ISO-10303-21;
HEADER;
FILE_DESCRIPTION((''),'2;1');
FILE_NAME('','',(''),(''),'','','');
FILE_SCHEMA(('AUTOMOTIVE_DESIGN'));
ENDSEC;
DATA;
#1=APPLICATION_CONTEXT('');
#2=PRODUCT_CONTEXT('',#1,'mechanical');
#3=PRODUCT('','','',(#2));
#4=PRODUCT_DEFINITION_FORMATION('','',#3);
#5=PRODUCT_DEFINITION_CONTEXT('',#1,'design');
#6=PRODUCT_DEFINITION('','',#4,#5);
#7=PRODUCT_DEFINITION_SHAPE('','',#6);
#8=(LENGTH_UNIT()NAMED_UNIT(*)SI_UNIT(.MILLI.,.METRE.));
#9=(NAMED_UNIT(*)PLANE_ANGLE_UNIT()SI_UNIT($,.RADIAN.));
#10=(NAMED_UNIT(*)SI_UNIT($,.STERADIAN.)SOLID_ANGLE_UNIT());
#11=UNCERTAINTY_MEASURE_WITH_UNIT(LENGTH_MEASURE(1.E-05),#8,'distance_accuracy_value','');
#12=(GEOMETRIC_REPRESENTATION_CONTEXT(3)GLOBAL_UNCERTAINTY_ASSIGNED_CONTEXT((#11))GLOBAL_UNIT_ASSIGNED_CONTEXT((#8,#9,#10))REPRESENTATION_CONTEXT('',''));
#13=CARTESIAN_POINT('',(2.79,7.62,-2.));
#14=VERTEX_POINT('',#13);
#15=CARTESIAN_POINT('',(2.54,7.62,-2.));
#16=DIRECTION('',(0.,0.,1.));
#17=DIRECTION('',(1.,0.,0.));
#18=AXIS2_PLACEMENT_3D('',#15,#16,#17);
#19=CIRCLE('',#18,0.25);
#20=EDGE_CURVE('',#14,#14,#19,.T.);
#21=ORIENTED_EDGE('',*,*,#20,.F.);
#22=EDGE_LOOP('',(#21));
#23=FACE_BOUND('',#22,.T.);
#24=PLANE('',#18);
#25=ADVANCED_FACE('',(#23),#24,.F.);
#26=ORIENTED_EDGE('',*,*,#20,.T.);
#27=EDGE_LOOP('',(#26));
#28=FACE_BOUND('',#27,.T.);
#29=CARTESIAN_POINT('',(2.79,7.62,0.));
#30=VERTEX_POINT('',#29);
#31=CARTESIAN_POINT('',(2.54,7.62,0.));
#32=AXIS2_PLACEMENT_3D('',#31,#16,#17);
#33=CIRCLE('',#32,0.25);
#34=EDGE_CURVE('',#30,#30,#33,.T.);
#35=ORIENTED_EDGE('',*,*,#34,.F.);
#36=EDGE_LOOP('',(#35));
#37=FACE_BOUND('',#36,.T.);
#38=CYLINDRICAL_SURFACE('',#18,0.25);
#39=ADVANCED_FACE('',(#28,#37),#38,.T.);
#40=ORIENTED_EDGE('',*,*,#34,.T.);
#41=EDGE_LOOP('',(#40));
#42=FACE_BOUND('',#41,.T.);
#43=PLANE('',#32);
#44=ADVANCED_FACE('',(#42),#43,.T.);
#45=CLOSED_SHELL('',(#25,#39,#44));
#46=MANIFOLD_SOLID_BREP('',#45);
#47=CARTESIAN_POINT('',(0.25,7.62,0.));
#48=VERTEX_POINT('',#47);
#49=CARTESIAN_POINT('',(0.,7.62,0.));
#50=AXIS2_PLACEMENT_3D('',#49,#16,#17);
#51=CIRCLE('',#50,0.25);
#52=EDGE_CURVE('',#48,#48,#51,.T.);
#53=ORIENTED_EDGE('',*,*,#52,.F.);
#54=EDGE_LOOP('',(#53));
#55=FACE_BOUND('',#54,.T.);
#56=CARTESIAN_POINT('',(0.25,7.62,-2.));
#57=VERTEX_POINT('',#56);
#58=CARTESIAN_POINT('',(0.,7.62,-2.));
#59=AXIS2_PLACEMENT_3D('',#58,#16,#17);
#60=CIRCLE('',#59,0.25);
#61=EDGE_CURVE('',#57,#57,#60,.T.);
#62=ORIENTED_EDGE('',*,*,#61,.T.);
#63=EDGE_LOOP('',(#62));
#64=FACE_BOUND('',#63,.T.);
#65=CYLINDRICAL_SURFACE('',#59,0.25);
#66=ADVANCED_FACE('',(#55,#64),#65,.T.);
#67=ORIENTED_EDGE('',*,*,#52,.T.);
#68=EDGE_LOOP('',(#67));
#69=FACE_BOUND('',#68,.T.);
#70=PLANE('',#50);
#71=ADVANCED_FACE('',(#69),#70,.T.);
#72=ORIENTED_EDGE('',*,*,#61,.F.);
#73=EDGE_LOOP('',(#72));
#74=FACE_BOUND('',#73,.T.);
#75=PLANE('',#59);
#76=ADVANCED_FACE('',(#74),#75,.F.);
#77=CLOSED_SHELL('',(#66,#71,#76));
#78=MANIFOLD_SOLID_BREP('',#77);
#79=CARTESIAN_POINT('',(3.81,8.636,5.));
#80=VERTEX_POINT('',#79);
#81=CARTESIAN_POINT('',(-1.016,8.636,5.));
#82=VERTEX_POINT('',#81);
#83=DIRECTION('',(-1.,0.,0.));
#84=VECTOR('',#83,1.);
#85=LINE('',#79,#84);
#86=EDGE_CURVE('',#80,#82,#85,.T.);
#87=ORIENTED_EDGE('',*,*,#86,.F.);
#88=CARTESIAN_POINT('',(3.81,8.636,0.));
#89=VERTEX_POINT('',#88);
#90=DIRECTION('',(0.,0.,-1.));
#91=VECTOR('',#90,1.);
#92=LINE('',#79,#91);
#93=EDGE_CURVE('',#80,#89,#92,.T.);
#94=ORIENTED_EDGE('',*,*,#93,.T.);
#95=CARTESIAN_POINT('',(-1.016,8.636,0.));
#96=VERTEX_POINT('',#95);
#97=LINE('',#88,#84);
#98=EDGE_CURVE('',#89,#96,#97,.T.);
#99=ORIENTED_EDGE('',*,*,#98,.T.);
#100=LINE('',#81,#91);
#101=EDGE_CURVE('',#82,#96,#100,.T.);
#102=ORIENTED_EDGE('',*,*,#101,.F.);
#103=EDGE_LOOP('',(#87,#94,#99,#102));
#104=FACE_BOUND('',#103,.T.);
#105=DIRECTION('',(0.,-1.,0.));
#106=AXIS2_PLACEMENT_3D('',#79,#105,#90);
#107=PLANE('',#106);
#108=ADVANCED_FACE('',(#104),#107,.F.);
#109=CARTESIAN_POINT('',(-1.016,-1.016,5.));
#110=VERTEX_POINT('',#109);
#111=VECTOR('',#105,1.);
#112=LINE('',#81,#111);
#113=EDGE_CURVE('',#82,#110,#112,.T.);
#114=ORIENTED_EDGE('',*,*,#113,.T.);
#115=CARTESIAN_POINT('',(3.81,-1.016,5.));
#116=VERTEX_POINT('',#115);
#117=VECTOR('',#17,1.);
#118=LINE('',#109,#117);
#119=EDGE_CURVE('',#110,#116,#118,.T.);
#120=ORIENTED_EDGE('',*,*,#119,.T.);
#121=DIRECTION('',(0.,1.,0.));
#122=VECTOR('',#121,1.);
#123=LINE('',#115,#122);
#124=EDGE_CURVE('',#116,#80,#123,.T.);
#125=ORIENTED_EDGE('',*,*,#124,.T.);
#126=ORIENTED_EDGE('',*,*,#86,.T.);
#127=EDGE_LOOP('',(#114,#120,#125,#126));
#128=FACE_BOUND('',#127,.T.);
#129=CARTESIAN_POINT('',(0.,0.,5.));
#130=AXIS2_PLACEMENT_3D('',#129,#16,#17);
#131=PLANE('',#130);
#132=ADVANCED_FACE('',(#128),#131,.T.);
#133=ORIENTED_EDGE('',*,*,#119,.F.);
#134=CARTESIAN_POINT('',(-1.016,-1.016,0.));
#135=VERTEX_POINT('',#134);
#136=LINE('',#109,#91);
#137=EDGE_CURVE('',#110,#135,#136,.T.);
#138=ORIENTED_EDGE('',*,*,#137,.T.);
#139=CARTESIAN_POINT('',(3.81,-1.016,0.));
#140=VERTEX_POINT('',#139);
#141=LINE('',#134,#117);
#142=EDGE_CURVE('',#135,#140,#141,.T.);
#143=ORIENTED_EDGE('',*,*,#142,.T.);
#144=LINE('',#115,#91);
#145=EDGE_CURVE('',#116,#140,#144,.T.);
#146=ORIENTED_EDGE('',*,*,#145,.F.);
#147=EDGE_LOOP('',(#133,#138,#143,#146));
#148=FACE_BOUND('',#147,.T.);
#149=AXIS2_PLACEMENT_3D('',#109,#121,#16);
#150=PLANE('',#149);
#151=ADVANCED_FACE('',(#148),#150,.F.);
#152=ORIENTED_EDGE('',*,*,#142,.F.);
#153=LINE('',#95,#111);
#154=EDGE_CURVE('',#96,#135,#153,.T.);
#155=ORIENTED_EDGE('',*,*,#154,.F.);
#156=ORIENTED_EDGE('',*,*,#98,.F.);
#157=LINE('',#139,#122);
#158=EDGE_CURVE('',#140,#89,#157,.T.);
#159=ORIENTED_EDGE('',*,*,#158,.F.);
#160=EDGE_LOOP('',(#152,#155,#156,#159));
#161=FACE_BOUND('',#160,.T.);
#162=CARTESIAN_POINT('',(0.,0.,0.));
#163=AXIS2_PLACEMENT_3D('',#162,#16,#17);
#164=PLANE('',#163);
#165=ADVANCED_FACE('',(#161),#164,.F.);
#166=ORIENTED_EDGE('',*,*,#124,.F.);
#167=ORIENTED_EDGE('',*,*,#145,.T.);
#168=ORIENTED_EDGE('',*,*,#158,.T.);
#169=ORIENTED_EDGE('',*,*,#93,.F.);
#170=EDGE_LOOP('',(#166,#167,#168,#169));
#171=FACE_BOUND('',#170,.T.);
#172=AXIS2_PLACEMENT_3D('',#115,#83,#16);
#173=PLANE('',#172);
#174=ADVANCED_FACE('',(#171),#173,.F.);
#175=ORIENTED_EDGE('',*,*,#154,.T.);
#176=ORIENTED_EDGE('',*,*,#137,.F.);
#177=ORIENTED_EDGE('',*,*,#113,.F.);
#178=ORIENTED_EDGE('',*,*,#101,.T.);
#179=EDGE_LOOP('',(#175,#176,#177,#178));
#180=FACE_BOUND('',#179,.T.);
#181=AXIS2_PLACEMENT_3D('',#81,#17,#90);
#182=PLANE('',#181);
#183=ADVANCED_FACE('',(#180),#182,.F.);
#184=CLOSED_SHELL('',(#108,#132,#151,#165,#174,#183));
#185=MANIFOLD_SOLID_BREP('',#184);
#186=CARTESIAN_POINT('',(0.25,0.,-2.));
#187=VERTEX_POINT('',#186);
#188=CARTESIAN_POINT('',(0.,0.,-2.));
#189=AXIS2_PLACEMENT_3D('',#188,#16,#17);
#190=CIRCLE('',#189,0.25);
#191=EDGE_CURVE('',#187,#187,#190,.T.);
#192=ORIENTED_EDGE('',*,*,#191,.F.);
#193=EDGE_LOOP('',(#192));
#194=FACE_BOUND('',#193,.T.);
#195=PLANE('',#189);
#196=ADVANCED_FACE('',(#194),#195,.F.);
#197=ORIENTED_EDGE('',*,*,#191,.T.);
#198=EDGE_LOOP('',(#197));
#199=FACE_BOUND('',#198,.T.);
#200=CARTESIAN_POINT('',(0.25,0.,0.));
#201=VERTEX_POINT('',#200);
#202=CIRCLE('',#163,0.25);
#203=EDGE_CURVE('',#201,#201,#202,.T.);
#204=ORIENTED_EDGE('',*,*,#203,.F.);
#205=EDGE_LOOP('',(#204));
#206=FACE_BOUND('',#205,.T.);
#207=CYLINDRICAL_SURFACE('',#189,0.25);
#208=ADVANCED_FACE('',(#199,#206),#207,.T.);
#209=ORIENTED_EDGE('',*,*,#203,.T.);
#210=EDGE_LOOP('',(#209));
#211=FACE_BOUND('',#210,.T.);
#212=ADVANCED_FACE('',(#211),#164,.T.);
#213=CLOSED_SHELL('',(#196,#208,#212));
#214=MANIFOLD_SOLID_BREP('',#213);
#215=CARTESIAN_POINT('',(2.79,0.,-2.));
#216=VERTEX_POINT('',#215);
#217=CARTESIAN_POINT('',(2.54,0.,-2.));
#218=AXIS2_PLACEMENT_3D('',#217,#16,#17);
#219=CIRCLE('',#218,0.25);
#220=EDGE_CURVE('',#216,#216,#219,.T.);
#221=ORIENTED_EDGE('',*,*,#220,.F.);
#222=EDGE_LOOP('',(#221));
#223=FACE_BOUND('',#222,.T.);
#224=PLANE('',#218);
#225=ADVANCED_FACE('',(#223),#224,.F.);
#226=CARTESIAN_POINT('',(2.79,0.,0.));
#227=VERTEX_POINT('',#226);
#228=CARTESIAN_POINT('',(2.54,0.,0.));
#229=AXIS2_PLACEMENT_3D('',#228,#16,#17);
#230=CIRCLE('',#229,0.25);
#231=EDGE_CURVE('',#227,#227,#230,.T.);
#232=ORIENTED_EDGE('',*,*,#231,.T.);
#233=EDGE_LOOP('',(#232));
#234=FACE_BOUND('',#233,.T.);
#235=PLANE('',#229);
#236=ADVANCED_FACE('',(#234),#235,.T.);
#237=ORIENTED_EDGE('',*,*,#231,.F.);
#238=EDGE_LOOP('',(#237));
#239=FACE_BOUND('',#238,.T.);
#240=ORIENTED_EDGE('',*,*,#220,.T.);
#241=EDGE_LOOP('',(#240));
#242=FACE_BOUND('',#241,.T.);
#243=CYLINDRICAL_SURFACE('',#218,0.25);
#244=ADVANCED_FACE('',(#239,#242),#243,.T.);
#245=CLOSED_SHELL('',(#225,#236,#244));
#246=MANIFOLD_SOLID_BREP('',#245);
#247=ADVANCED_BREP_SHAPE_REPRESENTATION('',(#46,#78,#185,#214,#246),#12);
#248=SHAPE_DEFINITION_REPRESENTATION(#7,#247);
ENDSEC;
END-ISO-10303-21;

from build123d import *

# Parameters (mm, degrees)
SKETCH1_W               = 4.826
SKETCH1_H               = 9.652
COMPONENT_OUTLINE_DEPTH = 5
SKETCH2_R               = 0.25
EXTRUDE_1_DEPTH         = 2
SKETCH3_R               = 0.25
EXTRUDE_2_DEPTH         = 2
SKETCH4_R               = 0.25
EXTRUDE_3_DEPTH         = 2
SKETCH5_R               = 0.25
EXTRUDE_4_DEPTH         = 2


with BuildPart() as part:
    # Sketch1 → Component_Outline (new body)
    with BuildSketch(Plane.XY):
        with Locations((1.397, 3.81)):
            Rectangle(SKETCH1_W, SKETCH1_H)
    extrude(amount=COMPONENT_OUTLINE_DEPTH)


with BuildPart() as body_2:
    # Sketch2 → Extrude 1 (new body)
    with BuildSketch(Plane.XY):
        Circle(SKETCH2_R)
    extrude(amount=-EXTRUDE_1_DEPTH)


with BuildPart() as body_3:
    # Sketch3 → Extrude 2 (new body)
    with BuildSketch(Plane.XY):
        with Locations((2.54, 0)):
            Circle(SKETCH3_R)
    extrude(amount=-EXTRUDE_2_DEPTH)


with BuildPart() as body_4:
    # Sketch4 → Extrude 3 (new body)
    with BuildSketch(Plane.XY):
        with Locations((2.54, 7.62)):
            Circle(SKETCH4_R)
    extrude(amount=-EXTRUDE_3_DEPTH)


with BuildPart() as body_5:
    # Sketch5 → Extrude 4 (new body)
    with BuildSketch(Plane.XY):
        with Locations((0, 7.62)):
            Circle(SKETCH5_R)
    extrude(amount=-EXTRUDE_4_DEPTH)


solid = Compound([part.part, body_2.part, body_3.part, body_4.part, body_5.part])
